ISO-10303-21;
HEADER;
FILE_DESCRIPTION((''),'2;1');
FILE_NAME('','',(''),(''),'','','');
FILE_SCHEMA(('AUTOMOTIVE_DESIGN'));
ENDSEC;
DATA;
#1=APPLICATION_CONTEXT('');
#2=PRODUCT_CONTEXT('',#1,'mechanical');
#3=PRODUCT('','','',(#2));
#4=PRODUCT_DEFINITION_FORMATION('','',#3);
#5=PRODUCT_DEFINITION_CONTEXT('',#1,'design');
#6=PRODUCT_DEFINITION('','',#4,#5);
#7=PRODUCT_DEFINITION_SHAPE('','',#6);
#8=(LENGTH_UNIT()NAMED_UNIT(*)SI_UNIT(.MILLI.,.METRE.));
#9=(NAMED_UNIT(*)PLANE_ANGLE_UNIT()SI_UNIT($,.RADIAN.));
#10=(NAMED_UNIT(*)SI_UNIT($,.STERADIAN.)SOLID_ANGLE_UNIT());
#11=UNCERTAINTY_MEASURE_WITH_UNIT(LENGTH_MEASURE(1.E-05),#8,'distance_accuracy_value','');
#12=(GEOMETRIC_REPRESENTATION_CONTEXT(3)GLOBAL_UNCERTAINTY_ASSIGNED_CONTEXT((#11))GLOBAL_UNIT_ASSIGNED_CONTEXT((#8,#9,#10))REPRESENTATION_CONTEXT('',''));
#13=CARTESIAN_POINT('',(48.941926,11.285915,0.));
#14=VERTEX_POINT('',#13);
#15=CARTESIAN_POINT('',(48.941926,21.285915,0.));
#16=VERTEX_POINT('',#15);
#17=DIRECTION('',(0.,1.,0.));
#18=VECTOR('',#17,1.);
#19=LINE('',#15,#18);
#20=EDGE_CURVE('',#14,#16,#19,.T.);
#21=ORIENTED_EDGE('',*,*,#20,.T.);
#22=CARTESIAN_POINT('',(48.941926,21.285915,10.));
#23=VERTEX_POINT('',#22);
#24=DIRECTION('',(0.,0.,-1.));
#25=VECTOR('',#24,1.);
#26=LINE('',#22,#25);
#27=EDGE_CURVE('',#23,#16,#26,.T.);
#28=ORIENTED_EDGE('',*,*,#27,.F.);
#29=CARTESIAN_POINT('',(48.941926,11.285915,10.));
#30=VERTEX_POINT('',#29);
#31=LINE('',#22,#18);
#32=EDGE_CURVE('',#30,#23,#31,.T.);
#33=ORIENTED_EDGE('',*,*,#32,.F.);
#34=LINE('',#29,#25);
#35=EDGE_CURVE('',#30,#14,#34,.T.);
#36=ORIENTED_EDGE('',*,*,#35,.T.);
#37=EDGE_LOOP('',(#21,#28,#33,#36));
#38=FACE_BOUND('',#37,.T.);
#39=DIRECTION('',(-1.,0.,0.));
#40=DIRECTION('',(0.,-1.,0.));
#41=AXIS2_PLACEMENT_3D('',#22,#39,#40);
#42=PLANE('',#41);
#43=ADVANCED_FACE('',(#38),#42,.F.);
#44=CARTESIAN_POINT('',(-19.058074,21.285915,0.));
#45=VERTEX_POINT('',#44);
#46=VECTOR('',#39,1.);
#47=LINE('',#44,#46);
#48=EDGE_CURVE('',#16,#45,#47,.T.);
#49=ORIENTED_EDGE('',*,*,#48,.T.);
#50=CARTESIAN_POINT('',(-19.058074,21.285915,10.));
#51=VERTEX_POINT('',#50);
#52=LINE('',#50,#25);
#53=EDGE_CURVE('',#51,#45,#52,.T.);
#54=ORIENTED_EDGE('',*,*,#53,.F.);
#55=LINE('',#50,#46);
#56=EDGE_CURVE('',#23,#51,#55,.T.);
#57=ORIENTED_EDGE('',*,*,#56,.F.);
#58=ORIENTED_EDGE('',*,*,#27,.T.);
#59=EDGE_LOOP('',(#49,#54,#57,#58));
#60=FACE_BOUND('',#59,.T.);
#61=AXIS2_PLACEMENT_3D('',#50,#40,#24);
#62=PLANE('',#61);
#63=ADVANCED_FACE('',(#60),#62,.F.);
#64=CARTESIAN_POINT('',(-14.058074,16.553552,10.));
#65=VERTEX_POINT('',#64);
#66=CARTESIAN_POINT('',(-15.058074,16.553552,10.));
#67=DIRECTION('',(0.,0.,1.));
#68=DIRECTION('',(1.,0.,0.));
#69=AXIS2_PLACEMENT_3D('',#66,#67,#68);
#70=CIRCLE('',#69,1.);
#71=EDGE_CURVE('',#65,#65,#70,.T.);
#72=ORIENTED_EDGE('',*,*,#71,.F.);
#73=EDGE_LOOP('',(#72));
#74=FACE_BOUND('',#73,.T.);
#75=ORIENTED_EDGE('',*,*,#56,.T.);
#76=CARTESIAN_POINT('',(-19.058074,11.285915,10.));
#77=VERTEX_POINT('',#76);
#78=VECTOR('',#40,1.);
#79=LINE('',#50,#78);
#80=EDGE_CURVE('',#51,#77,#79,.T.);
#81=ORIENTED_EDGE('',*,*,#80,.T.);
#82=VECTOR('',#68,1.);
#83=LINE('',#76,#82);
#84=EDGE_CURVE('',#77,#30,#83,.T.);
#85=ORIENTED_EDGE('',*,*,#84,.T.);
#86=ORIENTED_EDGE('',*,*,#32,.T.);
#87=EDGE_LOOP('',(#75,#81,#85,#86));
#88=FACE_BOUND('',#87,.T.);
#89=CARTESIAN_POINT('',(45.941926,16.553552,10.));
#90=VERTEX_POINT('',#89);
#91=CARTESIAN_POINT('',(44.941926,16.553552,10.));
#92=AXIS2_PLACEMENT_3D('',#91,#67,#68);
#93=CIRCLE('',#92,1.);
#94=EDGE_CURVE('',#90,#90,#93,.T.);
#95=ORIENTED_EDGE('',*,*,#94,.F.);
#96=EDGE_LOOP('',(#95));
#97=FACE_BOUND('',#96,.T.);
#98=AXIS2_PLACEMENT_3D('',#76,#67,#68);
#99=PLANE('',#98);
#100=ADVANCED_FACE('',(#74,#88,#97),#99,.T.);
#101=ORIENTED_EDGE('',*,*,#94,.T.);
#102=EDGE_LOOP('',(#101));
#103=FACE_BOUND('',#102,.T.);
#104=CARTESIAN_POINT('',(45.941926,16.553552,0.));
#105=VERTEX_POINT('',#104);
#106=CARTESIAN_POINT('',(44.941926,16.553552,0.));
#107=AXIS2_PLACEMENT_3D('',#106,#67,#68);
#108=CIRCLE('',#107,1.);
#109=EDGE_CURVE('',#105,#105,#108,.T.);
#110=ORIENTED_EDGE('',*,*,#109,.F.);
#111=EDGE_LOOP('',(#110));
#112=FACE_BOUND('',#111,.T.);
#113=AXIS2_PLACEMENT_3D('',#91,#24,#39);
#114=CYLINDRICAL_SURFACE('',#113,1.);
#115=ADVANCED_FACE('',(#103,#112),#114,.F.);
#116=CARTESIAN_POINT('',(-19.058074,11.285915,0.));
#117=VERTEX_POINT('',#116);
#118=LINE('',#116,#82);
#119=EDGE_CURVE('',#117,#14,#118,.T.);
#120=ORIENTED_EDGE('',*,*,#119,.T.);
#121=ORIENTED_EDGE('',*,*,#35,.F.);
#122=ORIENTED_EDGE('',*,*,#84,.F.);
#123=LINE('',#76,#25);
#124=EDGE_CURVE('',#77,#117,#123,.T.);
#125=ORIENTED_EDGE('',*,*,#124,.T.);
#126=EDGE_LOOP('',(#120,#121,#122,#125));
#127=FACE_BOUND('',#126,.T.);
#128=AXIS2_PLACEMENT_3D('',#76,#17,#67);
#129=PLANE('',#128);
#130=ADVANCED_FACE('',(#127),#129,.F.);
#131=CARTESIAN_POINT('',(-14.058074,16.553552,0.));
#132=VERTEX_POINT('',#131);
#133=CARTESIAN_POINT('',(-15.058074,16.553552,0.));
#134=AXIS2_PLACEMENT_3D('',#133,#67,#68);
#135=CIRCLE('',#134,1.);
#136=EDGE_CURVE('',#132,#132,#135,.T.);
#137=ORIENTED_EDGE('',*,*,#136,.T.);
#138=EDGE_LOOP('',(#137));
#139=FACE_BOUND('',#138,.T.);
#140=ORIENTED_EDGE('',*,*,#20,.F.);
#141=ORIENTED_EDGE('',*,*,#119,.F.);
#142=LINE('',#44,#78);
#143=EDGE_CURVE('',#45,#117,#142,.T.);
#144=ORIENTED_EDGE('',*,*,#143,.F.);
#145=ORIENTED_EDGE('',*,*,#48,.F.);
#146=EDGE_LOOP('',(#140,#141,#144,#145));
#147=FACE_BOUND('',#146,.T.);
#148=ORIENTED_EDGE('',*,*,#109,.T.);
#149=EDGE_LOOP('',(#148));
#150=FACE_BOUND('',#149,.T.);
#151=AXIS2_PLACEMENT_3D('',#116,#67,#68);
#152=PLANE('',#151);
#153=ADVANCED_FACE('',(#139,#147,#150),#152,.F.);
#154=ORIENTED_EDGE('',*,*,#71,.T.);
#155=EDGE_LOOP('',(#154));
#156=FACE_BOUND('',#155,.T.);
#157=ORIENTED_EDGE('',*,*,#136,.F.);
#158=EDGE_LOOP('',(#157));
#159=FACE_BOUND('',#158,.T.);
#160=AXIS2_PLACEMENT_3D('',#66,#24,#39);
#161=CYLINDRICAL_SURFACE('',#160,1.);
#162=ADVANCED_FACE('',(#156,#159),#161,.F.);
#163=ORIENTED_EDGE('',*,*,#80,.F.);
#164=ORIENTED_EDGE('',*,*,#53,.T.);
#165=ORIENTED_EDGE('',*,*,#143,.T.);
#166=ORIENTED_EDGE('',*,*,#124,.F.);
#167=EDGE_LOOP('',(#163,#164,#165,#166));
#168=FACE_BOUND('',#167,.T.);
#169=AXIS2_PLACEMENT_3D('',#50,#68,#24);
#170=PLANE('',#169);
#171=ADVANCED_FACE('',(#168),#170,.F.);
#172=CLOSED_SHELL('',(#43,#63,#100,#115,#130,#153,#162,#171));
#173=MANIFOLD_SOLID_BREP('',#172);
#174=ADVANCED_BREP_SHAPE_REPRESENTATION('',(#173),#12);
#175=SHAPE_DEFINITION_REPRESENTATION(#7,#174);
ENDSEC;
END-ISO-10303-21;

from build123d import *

# Parameters (mm, degrees)
ESQUISSE1_W        = 68
ESQUISSE1_H        = 10
ESQUISSE1_R        = 1
BOSS_EXTRU_1_DEPTH = 10


with BuildPart() as part:
    # Esquisse1 → Boss.-Extru.1 (new body)
    with BuildSketch(Plane.XY):
        with Locations((14.941925861, 16.285915493)):
            Rectangle(ESQUISSE1_W, ESQUISSE1_H)
        with Locations((44.941925861, 16.553552035)):
            Circle(ESQUISSE1_R, mode=Mode.SUBTRACT)
        with Locations((-15.058074139, 16.553552035)):
            Circle(ESQUISSE1_R, mode=Mode.SUBTRACT)
    extrude(amount=BOSS_EXTRU_1_DEPTH)


solid = part.part
